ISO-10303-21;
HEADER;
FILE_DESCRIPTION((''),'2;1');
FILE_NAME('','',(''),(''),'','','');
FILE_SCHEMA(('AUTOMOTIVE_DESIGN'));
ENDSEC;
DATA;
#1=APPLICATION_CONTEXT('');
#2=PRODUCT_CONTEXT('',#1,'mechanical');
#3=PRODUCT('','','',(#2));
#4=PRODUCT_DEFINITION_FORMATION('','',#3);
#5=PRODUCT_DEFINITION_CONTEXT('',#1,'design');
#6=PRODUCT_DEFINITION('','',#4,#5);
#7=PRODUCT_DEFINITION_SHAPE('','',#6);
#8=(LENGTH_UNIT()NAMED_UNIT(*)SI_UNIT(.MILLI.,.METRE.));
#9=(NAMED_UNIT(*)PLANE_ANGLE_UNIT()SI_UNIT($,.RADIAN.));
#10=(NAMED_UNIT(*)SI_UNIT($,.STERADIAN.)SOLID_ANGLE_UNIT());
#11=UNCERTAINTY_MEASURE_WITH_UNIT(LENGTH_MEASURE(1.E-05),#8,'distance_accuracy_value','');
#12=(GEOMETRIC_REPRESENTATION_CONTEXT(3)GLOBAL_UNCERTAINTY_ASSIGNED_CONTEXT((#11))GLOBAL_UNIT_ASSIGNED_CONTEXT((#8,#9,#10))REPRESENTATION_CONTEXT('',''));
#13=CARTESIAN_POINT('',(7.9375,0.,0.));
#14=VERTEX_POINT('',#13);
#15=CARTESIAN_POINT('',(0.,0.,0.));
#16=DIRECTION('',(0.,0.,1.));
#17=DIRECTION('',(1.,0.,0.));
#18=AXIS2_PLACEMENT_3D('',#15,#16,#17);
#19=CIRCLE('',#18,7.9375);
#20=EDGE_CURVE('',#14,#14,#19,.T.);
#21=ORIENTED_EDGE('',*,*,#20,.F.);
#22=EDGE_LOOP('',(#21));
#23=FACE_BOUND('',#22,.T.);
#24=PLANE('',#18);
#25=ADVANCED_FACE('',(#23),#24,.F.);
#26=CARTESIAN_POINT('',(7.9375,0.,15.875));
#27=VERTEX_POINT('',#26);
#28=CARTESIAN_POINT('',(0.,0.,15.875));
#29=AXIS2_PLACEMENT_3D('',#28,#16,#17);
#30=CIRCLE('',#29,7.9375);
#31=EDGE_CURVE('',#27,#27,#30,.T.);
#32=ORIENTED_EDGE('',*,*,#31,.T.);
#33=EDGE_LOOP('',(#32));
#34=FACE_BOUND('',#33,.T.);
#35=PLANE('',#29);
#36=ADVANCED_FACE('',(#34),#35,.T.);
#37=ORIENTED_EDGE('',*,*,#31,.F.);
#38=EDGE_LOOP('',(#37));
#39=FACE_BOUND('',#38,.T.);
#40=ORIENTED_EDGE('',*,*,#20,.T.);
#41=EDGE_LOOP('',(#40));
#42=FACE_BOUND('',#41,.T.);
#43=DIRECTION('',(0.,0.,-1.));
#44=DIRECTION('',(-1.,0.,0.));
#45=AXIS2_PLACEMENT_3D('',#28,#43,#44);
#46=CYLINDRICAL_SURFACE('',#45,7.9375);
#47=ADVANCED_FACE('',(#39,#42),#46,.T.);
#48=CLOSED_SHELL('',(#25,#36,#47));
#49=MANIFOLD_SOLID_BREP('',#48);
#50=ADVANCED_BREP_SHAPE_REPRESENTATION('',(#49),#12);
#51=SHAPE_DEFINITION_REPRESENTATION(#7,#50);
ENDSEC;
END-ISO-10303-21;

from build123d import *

# Parameters (mm, degrees)
SKETCH2_R      = 7.9375
CYLINDER_DEPTH = 15.875


with BuildPart() as part:
    # Sketch2 → cylinder (new body)
    with BuildSketch(Plane.XY):
        Circle(SKETCH2_R)
    extrude(amount=CYLINDER_DEPTH)


solid = part.part
